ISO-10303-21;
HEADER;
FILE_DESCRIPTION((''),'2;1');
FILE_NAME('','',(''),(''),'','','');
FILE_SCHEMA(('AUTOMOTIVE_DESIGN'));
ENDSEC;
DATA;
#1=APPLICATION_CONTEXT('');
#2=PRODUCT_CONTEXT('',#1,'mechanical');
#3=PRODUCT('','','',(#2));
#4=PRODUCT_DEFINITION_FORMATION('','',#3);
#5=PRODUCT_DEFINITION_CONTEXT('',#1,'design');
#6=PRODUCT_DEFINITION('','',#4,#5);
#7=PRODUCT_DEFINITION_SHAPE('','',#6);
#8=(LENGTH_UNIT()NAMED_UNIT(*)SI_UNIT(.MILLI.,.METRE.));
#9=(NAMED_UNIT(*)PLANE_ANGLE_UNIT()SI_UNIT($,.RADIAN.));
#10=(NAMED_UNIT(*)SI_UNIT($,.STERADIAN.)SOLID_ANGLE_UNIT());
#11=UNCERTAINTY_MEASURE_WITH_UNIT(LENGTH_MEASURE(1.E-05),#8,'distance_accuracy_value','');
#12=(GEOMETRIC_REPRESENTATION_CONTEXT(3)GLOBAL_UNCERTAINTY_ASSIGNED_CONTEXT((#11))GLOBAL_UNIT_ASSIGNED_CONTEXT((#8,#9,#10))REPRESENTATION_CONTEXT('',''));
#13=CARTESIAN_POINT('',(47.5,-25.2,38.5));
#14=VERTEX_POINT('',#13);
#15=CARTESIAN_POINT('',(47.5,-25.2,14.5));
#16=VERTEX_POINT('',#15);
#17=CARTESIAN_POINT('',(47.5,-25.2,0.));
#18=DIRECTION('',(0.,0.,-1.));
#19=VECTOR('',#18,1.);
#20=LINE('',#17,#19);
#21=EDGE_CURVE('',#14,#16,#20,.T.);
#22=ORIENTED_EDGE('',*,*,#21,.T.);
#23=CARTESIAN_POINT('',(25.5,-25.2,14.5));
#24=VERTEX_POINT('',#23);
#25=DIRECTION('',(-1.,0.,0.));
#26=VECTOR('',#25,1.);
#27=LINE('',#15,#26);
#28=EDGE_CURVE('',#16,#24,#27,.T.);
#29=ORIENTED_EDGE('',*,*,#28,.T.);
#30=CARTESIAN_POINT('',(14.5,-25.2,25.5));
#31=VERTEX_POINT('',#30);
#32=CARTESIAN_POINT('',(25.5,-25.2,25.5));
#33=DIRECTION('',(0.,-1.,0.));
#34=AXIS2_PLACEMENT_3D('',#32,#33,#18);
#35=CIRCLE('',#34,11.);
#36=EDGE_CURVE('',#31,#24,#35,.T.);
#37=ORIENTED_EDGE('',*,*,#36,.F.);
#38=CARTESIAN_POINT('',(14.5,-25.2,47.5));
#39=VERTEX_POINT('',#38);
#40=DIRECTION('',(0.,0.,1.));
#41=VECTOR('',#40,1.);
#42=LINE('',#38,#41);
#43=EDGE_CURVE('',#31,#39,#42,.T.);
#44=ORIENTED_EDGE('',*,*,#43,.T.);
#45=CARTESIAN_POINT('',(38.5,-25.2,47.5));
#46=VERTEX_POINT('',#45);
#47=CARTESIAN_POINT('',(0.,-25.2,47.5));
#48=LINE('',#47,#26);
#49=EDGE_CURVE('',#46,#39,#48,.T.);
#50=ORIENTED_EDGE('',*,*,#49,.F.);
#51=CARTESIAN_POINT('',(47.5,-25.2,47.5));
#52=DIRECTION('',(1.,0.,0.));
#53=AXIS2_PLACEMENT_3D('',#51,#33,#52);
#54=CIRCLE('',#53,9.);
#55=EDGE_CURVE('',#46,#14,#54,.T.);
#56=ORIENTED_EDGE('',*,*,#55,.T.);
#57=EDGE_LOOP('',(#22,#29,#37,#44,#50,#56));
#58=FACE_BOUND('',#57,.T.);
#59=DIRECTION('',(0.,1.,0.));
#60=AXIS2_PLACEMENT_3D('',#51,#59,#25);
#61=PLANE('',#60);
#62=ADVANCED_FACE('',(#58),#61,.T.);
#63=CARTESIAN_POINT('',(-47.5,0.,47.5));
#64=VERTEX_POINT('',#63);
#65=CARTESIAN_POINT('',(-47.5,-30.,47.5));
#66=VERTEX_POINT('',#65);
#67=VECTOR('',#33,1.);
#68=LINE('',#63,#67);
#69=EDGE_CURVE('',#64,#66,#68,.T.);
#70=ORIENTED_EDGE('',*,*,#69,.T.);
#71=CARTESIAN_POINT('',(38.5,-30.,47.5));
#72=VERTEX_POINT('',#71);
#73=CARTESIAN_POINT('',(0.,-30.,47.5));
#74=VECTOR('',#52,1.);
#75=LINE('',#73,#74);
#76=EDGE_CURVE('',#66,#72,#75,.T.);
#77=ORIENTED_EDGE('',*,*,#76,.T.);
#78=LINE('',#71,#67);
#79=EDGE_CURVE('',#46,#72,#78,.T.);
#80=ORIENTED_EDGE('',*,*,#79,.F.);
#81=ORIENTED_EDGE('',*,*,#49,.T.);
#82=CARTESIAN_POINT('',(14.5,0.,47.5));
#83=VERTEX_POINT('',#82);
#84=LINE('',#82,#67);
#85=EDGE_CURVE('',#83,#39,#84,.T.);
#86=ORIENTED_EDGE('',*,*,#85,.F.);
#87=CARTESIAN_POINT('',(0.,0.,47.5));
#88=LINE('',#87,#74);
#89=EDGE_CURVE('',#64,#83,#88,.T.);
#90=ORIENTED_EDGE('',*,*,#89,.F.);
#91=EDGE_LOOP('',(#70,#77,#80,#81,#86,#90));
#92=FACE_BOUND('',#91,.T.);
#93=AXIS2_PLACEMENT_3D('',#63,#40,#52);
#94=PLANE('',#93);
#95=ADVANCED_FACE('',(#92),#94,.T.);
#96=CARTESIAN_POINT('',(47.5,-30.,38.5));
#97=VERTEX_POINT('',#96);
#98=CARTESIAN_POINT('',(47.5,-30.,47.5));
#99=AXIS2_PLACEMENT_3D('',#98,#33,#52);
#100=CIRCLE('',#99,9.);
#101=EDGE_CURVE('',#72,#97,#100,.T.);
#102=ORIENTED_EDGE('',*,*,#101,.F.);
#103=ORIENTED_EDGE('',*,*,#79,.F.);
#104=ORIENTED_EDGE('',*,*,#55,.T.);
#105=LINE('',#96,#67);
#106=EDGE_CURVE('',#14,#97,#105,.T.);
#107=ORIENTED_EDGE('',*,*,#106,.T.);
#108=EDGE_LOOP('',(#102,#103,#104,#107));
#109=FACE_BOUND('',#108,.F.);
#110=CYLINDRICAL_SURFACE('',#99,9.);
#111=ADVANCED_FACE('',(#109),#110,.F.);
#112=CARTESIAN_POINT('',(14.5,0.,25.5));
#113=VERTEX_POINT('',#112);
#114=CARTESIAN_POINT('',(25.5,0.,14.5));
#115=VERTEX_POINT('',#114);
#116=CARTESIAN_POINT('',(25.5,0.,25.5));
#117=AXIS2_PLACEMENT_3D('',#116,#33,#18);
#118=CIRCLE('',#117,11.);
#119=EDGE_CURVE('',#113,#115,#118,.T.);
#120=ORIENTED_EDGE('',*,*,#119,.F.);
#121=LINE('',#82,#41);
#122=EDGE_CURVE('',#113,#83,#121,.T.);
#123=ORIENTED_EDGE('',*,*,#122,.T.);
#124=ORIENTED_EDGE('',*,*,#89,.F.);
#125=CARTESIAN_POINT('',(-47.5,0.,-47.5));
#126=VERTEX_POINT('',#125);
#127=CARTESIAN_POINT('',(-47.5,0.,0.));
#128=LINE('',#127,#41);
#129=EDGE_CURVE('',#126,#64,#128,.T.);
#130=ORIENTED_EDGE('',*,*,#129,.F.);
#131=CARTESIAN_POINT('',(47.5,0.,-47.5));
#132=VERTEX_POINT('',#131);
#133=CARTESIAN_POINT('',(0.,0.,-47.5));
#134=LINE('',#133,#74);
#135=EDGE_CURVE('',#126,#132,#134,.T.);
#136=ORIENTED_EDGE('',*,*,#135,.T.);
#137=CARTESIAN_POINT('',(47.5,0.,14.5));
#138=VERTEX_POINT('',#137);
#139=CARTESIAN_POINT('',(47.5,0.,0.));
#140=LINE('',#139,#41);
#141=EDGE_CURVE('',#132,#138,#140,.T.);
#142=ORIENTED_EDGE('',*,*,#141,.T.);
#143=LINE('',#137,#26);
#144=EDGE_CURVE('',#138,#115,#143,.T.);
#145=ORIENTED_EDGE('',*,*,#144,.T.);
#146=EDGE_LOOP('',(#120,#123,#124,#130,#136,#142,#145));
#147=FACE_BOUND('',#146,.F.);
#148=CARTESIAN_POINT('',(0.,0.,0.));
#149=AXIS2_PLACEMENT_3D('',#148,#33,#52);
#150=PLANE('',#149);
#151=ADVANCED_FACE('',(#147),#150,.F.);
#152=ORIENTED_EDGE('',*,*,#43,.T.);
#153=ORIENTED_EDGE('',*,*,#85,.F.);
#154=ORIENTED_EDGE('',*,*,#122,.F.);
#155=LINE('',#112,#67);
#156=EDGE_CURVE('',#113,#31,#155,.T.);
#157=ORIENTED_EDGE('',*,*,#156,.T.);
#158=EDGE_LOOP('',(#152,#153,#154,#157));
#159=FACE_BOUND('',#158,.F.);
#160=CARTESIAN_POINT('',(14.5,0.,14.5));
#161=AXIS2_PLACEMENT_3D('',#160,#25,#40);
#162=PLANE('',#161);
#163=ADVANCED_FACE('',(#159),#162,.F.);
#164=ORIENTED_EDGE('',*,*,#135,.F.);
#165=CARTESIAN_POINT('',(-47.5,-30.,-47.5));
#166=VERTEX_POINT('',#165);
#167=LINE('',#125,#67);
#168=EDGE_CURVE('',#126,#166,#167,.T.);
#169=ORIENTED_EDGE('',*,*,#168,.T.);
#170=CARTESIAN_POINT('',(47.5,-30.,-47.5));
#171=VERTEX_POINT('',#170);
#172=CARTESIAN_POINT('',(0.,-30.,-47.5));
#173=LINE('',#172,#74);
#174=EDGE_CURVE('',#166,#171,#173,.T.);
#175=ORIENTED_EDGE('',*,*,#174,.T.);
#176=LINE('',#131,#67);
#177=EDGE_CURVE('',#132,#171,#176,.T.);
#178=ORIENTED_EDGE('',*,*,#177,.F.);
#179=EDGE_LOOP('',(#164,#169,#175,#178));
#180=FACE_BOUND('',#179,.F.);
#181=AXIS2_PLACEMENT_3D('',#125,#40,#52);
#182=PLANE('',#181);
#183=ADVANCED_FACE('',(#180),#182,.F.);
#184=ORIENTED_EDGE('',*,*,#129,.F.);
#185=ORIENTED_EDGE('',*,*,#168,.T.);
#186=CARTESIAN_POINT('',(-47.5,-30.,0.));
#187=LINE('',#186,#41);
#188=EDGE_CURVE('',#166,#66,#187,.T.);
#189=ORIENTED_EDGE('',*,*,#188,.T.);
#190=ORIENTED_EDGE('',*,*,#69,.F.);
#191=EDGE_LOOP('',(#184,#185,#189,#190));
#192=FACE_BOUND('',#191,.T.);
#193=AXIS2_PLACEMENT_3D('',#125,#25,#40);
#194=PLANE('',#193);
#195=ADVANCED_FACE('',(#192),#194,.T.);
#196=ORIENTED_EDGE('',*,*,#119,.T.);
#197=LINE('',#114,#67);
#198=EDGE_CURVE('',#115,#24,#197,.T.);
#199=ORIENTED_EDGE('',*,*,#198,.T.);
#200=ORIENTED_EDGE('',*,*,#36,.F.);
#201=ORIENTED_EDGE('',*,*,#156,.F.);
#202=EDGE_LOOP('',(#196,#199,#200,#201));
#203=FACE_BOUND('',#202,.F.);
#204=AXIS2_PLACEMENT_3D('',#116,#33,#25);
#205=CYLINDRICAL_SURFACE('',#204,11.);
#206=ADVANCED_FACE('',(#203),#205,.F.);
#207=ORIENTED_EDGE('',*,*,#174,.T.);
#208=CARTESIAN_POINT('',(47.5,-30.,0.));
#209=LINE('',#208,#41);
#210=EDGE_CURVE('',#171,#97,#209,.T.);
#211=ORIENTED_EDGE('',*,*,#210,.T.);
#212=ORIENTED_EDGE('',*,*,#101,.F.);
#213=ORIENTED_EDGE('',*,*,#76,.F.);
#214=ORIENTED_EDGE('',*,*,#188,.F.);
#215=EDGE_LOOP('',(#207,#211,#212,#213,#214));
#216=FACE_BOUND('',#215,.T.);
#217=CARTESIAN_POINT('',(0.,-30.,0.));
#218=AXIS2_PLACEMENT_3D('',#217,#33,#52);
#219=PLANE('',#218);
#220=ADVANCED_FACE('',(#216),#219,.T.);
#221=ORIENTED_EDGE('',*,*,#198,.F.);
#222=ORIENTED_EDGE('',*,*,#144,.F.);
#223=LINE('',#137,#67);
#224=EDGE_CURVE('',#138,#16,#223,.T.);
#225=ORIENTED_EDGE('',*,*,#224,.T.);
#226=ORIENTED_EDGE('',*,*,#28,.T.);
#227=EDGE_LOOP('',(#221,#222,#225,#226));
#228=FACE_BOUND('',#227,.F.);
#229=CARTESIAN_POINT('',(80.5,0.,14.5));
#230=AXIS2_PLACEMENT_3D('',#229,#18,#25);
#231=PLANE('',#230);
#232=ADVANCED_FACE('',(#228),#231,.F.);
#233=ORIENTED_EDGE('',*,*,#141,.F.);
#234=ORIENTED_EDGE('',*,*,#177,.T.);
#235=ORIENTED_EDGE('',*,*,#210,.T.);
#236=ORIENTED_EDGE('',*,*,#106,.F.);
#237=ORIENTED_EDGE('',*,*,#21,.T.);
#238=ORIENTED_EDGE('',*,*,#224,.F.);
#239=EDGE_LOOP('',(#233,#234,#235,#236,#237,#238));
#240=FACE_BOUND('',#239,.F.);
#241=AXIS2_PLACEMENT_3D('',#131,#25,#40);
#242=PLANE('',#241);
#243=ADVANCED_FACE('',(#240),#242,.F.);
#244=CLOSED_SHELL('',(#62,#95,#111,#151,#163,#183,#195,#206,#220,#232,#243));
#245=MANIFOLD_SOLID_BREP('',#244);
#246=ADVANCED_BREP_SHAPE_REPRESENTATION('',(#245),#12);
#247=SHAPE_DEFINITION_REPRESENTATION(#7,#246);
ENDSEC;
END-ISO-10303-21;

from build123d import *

# Parameters (mm, degrees)
F0_W     = 95
F0_H     = 95
F1_DEPTH = 30
F2_R     = 9
F3_DEPTH = 40
F4_W     = 66
F4_H     = 66
F5_DEPTH = 25.2
F6_R     = 11


with BuildPart() as f1:
    # F0 (on Front) → F1 (new body)
    with BuildSketch(Plane.XZ):
        Rectangle(F0_W, F0_H)
    extrude(amount=F1_DEPTH)

    # F2 (on face) → F3 (cut)
    with BuildSketch(Plane.XZ.offset(30)):
        with Locations((47.5, 47.5)):
            Circle(F2_R)
    extrude(amount=-F3_DEPTH, mode=Mode.SUBTRACT)

    # F4 (on face) → F5 (cut)
    with BuildSketch(Plane(origin=(0, 0, 0), x_dir=(-1, 0, 0), z_dir=(0, 1, 0))):
        with Locations((-47.5, 47.5)):
            Rectangle(F4_W, F4_H)
    extrude(amount=-F5_DEPTH, mode=Mode.SUBTRACT)

    # F6
    f6_edges = [f1.edges().sort_by_distance(p)[0] for p in [
        (14.5, -12.6, 14.5),
    ]]
    fillet(f6_edges, radius=F6_R)


solid = f1.part
